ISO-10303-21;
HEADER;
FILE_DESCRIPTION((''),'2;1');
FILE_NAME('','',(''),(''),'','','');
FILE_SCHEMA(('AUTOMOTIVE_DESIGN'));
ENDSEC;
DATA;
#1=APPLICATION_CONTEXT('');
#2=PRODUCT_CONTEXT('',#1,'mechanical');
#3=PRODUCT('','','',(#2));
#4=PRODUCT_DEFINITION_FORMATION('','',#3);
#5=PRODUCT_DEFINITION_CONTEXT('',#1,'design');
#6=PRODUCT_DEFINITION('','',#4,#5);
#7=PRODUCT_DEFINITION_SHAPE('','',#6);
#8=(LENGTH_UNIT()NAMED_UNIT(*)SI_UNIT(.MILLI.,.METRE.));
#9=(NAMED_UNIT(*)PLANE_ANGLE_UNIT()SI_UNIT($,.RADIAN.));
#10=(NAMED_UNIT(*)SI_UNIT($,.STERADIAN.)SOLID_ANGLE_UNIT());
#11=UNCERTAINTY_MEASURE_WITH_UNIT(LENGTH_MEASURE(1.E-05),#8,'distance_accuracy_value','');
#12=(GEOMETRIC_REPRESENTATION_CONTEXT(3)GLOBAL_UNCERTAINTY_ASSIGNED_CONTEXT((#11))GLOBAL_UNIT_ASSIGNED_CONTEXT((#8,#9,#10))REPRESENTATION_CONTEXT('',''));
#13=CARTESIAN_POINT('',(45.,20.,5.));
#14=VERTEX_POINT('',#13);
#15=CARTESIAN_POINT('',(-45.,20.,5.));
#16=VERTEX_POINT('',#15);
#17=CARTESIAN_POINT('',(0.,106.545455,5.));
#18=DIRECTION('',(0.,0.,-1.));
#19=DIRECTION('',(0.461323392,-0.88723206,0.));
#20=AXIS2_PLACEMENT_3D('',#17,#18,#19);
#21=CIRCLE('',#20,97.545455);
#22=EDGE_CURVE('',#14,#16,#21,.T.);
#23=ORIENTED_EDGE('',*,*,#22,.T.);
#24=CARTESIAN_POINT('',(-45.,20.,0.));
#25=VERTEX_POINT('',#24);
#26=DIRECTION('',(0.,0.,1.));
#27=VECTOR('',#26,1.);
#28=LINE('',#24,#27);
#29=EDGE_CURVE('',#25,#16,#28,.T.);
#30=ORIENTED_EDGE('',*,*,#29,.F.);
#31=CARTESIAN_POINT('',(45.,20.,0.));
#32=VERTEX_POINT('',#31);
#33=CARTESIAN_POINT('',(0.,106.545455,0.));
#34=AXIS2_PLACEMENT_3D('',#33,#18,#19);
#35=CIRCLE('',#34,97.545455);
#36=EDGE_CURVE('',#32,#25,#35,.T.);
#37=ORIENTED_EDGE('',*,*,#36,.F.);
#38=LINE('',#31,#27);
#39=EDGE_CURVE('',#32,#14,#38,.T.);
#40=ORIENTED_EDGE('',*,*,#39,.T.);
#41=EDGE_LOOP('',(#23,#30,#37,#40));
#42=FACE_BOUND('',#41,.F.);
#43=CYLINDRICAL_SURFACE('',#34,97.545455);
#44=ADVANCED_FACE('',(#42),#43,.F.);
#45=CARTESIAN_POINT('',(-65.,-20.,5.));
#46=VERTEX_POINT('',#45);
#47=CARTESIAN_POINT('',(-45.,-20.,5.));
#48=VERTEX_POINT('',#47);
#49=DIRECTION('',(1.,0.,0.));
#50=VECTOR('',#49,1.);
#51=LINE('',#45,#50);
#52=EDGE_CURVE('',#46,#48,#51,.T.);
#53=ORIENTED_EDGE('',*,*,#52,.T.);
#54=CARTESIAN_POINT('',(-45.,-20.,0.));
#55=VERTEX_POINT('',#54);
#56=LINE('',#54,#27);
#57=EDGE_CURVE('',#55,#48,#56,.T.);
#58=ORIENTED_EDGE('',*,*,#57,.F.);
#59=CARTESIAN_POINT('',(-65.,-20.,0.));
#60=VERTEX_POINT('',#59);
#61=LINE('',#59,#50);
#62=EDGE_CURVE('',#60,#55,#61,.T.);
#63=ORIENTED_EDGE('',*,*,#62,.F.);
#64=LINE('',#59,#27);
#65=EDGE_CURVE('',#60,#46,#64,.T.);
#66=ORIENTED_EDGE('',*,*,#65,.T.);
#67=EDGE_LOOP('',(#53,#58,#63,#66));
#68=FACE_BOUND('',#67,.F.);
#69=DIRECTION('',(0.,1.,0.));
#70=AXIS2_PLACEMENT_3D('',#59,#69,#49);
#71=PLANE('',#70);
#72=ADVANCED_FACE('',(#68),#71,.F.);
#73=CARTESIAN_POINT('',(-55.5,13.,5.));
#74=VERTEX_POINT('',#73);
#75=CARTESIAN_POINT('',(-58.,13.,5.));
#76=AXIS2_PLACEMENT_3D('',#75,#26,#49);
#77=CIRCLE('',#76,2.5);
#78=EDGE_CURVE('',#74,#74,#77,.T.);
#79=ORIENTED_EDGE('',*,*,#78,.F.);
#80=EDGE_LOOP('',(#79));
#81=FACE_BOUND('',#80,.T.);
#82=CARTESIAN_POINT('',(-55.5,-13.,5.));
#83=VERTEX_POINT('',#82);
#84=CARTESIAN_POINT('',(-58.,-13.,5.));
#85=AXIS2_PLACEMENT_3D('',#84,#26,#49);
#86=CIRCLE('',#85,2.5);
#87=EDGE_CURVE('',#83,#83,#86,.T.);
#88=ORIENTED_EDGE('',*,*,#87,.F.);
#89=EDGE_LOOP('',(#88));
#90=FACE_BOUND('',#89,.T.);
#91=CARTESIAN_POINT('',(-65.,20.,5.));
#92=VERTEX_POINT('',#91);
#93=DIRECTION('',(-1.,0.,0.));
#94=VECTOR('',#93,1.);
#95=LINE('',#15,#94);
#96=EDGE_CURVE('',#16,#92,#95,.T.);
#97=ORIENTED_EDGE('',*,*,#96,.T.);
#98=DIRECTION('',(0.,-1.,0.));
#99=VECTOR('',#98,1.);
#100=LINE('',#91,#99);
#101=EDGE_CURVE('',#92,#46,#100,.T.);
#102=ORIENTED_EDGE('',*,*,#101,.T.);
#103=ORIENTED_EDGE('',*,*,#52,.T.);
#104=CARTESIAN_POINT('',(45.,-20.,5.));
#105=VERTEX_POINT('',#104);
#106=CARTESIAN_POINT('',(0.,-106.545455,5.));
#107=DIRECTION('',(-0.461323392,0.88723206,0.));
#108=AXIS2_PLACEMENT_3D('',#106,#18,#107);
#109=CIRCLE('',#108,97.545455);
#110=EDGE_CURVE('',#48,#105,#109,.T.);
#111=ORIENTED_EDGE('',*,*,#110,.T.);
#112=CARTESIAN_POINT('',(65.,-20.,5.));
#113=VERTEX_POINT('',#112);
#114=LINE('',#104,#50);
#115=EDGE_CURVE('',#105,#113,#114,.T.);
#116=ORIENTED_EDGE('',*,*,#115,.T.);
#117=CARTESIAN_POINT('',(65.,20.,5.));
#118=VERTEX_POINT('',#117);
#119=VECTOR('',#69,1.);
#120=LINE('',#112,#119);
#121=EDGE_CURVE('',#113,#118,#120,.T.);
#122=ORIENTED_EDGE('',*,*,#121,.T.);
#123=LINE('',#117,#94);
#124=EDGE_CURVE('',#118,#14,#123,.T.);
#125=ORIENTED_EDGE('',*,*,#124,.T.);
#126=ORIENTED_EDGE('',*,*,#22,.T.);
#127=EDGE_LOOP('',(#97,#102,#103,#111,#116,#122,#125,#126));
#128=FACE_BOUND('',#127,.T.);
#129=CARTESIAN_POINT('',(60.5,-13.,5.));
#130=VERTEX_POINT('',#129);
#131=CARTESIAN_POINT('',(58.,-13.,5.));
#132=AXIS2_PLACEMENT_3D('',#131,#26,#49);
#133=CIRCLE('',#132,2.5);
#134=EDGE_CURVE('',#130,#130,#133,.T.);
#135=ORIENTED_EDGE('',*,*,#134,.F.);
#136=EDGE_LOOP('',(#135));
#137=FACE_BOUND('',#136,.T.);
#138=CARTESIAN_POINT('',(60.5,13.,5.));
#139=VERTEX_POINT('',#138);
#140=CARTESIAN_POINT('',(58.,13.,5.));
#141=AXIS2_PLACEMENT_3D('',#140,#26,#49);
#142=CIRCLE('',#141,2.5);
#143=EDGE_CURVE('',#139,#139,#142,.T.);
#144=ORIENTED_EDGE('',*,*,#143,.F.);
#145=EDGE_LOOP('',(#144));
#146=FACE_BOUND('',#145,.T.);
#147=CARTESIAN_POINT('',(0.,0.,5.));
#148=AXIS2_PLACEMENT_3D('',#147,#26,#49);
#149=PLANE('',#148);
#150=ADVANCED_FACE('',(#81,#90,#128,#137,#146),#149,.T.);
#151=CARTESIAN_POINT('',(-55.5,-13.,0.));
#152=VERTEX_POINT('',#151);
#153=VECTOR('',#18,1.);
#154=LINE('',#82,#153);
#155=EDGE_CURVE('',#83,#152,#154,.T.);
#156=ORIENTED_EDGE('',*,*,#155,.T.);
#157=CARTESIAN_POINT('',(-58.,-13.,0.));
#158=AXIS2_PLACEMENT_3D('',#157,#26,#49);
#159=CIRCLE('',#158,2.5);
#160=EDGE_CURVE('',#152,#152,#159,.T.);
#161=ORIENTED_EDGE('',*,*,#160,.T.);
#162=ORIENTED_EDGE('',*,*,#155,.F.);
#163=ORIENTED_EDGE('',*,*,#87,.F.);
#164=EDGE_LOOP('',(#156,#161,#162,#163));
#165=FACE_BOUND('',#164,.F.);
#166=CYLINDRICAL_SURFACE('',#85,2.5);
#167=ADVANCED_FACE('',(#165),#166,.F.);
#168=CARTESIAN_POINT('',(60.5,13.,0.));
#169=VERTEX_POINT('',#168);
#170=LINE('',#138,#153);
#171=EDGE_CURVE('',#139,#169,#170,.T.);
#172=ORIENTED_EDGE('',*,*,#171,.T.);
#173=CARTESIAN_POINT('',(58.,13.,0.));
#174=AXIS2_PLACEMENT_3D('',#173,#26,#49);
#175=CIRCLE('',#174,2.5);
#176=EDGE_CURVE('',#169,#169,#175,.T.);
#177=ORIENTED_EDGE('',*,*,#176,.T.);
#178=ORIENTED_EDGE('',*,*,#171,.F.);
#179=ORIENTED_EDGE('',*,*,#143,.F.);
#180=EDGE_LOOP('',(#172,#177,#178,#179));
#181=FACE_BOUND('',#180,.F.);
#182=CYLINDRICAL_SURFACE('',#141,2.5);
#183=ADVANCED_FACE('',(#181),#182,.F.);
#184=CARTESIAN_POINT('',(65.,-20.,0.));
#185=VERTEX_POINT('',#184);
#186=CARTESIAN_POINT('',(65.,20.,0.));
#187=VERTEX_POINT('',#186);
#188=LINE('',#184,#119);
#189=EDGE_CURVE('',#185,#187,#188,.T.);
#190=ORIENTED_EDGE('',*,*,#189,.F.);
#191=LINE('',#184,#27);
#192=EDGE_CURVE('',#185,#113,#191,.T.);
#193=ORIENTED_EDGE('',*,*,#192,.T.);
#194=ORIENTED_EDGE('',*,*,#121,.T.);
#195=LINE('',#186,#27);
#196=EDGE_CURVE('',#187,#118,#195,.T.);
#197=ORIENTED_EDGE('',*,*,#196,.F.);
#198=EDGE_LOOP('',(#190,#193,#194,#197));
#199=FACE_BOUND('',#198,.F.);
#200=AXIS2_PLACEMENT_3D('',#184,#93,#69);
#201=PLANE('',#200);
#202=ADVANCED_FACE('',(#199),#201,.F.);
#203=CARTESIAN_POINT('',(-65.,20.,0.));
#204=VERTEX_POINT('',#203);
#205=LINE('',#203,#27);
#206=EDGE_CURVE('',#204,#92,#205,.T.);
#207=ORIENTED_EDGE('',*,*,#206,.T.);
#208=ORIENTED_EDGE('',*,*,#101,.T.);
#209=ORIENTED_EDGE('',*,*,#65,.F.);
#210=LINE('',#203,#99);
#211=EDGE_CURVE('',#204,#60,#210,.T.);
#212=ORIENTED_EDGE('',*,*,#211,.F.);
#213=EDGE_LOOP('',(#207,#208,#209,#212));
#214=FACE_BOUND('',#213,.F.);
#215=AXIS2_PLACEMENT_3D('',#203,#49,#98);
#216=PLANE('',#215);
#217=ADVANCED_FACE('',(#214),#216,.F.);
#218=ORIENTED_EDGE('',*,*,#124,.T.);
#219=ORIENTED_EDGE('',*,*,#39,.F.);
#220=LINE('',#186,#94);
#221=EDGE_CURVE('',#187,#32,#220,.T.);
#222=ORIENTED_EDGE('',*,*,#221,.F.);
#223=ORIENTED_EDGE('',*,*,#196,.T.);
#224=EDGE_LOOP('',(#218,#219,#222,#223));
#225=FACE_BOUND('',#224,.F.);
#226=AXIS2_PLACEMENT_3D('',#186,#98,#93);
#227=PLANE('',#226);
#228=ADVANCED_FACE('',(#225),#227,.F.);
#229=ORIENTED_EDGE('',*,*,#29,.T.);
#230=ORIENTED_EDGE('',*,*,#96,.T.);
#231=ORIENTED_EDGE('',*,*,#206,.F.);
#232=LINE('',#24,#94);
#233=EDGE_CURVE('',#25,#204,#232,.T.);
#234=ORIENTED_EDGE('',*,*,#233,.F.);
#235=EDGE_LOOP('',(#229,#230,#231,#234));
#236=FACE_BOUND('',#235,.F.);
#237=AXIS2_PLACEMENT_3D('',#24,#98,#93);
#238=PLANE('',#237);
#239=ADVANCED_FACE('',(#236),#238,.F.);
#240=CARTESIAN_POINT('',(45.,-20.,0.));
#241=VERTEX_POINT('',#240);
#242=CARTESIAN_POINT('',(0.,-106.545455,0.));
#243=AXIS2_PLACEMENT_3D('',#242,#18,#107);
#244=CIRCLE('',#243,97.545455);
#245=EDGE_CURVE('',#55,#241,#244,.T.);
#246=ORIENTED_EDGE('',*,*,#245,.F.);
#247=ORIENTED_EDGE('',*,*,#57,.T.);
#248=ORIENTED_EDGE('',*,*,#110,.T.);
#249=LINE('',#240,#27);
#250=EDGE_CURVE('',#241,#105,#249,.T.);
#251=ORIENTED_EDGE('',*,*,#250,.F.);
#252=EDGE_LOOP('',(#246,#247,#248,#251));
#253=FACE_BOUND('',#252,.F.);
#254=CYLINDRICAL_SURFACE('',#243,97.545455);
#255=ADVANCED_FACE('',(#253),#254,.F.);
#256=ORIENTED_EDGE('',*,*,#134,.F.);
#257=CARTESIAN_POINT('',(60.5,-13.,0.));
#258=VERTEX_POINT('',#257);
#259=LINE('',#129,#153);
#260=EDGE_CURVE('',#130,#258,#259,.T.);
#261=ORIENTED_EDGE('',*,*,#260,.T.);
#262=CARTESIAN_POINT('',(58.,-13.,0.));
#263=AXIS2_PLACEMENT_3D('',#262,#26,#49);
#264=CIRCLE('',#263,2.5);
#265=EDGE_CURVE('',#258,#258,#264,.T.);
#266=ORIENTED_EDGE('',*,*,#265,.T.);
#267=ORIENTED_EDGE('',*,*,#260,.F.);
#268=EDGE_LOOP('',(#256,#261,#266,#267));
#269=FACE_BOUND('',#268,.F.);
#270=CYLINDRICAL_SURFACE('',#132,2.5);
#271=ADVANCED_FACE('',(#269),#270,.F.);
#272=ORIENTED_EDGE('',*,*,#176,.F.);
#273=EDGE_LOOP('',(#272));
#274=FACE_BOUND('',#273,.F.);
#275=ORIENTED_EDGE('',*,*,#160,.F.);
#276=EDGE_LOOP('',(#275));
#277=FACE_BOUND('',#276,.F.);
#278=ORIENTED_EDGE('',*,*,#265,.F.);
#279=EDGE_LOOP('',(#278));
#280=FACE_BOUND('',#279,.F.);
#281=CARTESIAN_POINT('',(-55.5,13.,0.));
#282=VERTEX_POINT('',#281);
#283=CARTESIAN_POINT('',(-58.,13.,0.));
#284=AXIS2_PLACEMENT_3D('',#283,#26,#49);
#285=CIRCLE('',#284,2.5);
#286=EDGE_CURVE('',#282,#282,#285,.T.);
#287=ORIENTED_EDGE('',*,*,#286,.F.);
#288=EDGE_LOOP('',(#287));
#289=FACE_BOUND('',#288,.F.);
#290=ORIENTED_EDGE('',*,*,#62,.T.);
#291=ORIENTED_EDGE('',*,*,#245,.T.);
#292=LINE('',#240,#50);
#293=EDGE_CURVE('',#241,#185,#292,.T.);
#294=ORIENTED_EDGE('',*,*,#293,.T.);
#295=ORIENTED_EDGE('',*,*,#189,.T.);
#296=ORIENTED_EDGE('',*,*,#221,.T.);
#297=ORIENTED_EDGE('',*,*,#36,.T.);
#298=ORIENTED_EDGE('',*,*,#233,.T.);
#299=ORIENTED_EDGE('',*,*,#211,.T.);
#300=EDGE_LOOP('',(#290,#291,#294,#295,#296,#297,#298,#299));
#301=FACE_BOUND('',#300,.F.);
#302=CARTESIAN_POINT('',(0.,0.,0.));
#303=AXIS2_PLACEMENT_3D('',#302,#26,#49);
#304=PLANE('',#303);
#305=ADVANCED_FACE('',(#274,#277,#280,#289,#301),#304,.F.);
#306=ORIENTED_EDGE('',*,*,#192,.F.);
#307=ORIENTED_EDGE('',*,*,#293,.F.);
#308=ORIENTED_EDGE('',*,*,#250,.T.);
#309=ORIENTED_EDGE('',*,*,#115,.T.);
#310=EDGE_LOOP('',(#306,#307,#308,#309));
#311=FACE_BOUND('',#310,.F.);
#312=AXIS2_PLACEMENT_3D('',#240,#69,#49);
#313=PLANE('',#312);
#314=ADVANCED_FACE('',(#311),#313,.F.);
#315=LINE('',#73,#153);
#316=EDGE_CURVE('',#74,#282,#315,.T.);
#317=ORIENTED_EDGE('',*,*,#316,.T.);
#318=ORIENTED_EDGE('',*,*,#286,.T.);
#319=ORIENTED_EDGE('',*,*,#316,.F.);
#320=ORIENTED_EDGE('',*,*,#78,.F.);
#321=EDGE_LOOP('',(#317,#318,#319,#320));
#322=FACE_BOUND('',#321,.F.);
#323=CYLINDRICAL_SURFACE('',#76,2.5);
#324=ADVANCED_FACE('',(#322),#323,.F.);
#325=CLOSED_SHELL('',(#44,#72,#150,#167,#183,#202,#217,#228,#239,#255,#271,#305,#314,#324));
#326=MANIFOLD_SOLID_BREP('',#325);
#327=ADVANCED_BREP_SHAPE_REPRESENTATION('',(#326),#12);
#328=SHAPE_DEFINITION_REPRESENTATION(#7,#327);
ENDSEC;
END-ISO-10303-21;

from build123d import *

# Parameters (mm, degrees)
F1_DEPTH = 5
F2_R     = 2.5
F3_DEPTH = 5.001


with BuildPart() as f1:
    # F0 (on Top) → F1 (new body)
    with BuildSketch(Plane.XY):
        with BuildLine():
            Line((-45, 20), (-65, 20))
            Line((-65, 20), (-65, -20))
            Line((-65, -20), (-45, -20))
            ThreePointArc((-45, -20), (0, -9), (45, -20))
            Line((45, -20), (65, -20))
            Line((65, -20), (65, 20))
            Line((65, 20), (45, 20))
            ThreePointArc((45, 20), (0, 9), (-45, 20))
        make_face()
    extrude(amount=F1_DEPTH)

    # F2 (on face) → F3 (cut, through all)
    with BuildSketch(Plane.XY.offset(5)):
        with Locations((-58, 13)):
            Circle(F2_R)
        with Locations((-58, -13)):
            Circle(F2_R)
        with Locations((58, 13)):
            Circle(F2_R)
        with Locations((58, -13)):
            Circle(F2_R)
    extrude(amount=-F3_DEPTH, mode=Mode.SUBTRACT)


solid = f1.part
